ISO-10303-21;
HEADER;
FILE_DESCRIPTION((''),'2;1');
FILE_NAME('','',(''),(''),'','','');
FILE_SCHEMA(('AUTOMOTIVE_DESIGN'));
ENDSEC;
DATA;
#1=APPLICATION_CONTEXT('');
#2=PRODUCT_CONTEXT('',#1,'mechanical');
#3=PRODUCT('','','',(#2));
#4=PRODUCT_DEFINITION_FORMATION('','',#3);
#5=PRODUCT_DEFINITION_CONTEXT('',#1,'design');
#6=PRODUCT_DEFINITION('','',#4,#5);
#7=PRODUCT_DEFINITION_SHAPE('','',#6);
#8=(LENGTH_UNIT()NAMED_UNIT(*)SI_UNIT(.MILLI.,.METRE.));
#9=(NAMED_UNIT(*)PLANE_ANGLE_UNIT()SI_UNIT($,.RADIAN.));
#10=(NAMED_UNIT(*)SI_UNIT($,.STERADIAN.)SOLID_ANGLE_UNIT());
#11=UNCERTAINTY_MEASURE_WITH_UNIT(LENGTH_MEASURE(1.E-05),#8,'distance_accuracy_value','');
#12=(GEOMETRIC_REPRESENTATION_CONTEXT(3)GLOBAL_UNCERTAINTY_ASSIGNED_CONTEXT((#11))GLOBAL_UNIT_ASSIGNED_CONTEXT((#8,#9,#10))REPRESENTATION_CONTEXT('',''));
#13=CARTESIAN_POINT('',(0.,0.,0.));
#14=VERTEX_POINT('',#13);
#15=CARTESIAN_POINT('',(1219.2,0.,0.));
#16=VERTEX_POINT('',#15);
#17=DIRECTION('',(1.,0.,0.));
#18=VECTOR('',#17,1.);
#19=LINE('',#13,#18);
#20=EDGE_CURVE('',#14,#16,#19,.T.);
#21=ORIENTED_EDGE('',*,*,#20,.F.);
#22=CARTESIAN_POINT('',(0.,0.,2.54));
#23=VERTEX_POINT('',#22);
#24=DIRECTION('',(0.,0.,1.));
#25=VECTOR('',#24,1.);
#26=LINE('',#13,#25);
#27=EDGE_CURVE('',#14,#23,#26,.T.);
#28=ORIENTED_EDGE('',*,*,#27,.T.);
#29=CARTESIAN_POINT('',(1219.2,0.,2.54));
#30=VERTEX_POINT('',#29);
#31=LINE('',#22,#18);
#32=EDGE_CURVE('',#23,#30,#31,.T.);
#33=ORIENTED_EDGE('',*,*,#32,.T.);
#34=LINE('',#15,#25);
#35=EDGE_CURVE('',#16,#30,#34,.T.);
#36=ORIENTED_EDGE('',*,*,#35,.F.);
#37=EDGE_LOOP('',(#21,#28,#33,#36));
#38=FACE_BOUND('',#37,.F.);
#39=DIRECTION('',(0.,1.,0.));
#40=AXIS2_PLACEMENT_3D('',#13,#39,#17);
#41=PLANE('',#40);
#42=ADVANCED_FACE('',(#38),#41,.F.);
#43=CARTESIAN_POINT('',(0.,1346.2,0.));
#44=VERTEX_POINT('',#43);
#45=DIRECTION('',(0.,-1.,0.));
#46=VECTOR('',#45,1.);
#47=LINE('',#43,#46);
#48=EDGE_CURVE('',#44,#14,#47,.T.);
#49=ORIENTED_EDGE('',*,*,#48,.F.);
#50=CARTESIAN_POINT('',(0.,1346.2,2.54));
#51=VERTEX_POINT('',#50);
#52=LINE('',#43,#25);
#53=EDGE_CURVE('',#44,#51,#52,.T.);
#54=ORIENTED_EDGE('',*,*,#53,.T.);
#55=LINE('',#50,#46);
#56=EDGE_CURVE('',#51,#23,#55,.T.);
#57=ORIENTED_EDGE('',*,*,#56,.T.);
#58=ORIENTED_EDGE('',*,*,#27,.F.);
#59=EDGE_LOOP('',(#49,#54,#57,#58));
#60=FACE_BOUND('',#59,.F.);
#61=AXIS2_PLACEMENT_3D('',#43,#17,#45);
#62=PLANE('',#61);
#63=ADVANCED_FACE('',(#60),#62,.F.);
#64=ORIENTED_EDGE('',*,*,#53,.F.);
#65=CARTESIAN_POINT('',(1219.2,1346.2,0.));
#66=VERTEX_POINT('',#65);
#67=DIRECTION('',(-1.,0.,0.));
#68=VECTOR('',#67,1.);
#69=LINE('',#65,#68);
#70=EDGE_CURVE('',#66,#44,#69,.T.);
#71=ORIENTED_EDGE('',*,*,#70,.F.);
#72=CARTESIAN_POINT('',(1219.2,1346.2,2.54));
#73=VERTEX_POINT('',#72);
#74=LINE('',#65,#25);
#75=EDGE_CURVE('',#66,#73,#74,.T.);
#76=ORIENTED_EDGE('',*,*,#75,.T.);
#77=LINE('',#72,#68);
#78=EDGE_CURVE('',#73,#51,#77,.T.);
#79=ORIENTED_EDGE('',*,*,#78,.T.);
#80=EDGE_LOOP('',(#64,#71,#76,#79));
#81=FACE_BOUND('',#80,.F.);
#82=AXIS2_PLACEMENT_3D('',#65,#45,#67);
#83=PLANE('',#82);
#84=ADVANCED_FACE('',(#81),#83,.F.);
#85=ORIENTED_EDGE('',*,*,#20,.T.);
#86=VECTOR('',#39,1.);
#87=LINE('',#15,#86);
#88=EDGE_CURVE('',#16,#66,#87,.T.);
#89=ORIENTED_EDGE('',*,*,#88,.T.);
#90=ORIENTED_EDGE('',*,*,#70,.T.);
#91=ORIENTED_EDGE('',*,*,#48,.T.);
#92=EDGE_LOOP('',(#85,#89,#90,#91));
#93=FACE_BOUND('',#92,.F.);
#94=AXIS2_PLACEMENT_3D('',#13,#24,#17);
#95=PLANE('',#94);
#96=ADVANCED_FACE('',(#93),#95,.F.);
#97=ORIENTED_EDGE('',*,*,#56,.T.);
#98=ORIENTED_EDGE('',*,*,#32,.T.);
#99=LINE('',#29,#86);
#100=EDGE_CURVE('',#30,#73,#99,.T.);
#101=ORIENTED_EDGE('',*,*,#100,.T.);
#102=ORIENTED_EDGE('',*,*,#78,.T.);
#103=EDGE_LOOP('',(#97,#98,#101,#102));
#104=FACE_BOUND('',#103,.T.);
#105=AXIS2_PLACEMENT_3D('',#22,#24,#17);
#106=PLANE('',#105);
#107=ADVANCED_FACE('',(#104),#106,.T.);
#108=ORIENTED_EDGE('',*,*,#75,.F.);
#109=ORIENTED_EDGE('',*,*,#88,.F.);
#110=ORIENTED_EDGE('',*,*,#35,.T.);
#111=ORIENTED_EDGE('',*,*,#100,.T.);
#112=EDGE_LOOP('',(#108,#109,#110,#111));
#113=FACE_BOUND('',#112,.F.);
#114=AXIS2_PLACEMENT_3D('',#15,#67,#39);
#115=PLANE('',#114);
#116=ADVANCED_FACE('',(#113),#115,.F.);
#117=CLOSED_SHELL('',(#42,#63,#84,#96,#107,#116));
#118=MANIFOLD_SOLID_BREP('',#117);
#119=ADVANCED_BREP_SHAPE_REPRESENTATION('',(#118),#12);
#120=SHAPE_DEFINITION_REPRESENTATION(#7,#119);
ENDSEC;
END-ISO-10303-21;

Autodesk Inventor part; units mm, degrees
ref_plane "YZ Plane" through (0, 0, 0) normal (1, 0, 0) x (0, 1, 0)
ref_plane "XZ Plane" through (0, 0, 0) normal (0, 1, 0) x (-1, 0, 0)
ref_plane "XY Plane" through (0, 0, 0) normal (0, 0, 1) x (1, 0, 0)
sketch "Sketch1" plane through (0, 0, 0) normal (0, 0, 1) x (1, 0, 0)
  line L0 (1219.2, 1346.2) -> (0, 1346.2)
  line L1 (0, 1346.2) -> (0, 0)
  line L2 (0, 0) -> (1219.2, 0)
  line L3 (1219.2, 0) -> (1219.2, 1346.2)
  dimension "d0" = 1346.2
  dimension "d1" = 1219.2
extrude "Extrusion1" add sketch "Sketch1" along normal blind 2.54
properties part number "Flat_plate"
